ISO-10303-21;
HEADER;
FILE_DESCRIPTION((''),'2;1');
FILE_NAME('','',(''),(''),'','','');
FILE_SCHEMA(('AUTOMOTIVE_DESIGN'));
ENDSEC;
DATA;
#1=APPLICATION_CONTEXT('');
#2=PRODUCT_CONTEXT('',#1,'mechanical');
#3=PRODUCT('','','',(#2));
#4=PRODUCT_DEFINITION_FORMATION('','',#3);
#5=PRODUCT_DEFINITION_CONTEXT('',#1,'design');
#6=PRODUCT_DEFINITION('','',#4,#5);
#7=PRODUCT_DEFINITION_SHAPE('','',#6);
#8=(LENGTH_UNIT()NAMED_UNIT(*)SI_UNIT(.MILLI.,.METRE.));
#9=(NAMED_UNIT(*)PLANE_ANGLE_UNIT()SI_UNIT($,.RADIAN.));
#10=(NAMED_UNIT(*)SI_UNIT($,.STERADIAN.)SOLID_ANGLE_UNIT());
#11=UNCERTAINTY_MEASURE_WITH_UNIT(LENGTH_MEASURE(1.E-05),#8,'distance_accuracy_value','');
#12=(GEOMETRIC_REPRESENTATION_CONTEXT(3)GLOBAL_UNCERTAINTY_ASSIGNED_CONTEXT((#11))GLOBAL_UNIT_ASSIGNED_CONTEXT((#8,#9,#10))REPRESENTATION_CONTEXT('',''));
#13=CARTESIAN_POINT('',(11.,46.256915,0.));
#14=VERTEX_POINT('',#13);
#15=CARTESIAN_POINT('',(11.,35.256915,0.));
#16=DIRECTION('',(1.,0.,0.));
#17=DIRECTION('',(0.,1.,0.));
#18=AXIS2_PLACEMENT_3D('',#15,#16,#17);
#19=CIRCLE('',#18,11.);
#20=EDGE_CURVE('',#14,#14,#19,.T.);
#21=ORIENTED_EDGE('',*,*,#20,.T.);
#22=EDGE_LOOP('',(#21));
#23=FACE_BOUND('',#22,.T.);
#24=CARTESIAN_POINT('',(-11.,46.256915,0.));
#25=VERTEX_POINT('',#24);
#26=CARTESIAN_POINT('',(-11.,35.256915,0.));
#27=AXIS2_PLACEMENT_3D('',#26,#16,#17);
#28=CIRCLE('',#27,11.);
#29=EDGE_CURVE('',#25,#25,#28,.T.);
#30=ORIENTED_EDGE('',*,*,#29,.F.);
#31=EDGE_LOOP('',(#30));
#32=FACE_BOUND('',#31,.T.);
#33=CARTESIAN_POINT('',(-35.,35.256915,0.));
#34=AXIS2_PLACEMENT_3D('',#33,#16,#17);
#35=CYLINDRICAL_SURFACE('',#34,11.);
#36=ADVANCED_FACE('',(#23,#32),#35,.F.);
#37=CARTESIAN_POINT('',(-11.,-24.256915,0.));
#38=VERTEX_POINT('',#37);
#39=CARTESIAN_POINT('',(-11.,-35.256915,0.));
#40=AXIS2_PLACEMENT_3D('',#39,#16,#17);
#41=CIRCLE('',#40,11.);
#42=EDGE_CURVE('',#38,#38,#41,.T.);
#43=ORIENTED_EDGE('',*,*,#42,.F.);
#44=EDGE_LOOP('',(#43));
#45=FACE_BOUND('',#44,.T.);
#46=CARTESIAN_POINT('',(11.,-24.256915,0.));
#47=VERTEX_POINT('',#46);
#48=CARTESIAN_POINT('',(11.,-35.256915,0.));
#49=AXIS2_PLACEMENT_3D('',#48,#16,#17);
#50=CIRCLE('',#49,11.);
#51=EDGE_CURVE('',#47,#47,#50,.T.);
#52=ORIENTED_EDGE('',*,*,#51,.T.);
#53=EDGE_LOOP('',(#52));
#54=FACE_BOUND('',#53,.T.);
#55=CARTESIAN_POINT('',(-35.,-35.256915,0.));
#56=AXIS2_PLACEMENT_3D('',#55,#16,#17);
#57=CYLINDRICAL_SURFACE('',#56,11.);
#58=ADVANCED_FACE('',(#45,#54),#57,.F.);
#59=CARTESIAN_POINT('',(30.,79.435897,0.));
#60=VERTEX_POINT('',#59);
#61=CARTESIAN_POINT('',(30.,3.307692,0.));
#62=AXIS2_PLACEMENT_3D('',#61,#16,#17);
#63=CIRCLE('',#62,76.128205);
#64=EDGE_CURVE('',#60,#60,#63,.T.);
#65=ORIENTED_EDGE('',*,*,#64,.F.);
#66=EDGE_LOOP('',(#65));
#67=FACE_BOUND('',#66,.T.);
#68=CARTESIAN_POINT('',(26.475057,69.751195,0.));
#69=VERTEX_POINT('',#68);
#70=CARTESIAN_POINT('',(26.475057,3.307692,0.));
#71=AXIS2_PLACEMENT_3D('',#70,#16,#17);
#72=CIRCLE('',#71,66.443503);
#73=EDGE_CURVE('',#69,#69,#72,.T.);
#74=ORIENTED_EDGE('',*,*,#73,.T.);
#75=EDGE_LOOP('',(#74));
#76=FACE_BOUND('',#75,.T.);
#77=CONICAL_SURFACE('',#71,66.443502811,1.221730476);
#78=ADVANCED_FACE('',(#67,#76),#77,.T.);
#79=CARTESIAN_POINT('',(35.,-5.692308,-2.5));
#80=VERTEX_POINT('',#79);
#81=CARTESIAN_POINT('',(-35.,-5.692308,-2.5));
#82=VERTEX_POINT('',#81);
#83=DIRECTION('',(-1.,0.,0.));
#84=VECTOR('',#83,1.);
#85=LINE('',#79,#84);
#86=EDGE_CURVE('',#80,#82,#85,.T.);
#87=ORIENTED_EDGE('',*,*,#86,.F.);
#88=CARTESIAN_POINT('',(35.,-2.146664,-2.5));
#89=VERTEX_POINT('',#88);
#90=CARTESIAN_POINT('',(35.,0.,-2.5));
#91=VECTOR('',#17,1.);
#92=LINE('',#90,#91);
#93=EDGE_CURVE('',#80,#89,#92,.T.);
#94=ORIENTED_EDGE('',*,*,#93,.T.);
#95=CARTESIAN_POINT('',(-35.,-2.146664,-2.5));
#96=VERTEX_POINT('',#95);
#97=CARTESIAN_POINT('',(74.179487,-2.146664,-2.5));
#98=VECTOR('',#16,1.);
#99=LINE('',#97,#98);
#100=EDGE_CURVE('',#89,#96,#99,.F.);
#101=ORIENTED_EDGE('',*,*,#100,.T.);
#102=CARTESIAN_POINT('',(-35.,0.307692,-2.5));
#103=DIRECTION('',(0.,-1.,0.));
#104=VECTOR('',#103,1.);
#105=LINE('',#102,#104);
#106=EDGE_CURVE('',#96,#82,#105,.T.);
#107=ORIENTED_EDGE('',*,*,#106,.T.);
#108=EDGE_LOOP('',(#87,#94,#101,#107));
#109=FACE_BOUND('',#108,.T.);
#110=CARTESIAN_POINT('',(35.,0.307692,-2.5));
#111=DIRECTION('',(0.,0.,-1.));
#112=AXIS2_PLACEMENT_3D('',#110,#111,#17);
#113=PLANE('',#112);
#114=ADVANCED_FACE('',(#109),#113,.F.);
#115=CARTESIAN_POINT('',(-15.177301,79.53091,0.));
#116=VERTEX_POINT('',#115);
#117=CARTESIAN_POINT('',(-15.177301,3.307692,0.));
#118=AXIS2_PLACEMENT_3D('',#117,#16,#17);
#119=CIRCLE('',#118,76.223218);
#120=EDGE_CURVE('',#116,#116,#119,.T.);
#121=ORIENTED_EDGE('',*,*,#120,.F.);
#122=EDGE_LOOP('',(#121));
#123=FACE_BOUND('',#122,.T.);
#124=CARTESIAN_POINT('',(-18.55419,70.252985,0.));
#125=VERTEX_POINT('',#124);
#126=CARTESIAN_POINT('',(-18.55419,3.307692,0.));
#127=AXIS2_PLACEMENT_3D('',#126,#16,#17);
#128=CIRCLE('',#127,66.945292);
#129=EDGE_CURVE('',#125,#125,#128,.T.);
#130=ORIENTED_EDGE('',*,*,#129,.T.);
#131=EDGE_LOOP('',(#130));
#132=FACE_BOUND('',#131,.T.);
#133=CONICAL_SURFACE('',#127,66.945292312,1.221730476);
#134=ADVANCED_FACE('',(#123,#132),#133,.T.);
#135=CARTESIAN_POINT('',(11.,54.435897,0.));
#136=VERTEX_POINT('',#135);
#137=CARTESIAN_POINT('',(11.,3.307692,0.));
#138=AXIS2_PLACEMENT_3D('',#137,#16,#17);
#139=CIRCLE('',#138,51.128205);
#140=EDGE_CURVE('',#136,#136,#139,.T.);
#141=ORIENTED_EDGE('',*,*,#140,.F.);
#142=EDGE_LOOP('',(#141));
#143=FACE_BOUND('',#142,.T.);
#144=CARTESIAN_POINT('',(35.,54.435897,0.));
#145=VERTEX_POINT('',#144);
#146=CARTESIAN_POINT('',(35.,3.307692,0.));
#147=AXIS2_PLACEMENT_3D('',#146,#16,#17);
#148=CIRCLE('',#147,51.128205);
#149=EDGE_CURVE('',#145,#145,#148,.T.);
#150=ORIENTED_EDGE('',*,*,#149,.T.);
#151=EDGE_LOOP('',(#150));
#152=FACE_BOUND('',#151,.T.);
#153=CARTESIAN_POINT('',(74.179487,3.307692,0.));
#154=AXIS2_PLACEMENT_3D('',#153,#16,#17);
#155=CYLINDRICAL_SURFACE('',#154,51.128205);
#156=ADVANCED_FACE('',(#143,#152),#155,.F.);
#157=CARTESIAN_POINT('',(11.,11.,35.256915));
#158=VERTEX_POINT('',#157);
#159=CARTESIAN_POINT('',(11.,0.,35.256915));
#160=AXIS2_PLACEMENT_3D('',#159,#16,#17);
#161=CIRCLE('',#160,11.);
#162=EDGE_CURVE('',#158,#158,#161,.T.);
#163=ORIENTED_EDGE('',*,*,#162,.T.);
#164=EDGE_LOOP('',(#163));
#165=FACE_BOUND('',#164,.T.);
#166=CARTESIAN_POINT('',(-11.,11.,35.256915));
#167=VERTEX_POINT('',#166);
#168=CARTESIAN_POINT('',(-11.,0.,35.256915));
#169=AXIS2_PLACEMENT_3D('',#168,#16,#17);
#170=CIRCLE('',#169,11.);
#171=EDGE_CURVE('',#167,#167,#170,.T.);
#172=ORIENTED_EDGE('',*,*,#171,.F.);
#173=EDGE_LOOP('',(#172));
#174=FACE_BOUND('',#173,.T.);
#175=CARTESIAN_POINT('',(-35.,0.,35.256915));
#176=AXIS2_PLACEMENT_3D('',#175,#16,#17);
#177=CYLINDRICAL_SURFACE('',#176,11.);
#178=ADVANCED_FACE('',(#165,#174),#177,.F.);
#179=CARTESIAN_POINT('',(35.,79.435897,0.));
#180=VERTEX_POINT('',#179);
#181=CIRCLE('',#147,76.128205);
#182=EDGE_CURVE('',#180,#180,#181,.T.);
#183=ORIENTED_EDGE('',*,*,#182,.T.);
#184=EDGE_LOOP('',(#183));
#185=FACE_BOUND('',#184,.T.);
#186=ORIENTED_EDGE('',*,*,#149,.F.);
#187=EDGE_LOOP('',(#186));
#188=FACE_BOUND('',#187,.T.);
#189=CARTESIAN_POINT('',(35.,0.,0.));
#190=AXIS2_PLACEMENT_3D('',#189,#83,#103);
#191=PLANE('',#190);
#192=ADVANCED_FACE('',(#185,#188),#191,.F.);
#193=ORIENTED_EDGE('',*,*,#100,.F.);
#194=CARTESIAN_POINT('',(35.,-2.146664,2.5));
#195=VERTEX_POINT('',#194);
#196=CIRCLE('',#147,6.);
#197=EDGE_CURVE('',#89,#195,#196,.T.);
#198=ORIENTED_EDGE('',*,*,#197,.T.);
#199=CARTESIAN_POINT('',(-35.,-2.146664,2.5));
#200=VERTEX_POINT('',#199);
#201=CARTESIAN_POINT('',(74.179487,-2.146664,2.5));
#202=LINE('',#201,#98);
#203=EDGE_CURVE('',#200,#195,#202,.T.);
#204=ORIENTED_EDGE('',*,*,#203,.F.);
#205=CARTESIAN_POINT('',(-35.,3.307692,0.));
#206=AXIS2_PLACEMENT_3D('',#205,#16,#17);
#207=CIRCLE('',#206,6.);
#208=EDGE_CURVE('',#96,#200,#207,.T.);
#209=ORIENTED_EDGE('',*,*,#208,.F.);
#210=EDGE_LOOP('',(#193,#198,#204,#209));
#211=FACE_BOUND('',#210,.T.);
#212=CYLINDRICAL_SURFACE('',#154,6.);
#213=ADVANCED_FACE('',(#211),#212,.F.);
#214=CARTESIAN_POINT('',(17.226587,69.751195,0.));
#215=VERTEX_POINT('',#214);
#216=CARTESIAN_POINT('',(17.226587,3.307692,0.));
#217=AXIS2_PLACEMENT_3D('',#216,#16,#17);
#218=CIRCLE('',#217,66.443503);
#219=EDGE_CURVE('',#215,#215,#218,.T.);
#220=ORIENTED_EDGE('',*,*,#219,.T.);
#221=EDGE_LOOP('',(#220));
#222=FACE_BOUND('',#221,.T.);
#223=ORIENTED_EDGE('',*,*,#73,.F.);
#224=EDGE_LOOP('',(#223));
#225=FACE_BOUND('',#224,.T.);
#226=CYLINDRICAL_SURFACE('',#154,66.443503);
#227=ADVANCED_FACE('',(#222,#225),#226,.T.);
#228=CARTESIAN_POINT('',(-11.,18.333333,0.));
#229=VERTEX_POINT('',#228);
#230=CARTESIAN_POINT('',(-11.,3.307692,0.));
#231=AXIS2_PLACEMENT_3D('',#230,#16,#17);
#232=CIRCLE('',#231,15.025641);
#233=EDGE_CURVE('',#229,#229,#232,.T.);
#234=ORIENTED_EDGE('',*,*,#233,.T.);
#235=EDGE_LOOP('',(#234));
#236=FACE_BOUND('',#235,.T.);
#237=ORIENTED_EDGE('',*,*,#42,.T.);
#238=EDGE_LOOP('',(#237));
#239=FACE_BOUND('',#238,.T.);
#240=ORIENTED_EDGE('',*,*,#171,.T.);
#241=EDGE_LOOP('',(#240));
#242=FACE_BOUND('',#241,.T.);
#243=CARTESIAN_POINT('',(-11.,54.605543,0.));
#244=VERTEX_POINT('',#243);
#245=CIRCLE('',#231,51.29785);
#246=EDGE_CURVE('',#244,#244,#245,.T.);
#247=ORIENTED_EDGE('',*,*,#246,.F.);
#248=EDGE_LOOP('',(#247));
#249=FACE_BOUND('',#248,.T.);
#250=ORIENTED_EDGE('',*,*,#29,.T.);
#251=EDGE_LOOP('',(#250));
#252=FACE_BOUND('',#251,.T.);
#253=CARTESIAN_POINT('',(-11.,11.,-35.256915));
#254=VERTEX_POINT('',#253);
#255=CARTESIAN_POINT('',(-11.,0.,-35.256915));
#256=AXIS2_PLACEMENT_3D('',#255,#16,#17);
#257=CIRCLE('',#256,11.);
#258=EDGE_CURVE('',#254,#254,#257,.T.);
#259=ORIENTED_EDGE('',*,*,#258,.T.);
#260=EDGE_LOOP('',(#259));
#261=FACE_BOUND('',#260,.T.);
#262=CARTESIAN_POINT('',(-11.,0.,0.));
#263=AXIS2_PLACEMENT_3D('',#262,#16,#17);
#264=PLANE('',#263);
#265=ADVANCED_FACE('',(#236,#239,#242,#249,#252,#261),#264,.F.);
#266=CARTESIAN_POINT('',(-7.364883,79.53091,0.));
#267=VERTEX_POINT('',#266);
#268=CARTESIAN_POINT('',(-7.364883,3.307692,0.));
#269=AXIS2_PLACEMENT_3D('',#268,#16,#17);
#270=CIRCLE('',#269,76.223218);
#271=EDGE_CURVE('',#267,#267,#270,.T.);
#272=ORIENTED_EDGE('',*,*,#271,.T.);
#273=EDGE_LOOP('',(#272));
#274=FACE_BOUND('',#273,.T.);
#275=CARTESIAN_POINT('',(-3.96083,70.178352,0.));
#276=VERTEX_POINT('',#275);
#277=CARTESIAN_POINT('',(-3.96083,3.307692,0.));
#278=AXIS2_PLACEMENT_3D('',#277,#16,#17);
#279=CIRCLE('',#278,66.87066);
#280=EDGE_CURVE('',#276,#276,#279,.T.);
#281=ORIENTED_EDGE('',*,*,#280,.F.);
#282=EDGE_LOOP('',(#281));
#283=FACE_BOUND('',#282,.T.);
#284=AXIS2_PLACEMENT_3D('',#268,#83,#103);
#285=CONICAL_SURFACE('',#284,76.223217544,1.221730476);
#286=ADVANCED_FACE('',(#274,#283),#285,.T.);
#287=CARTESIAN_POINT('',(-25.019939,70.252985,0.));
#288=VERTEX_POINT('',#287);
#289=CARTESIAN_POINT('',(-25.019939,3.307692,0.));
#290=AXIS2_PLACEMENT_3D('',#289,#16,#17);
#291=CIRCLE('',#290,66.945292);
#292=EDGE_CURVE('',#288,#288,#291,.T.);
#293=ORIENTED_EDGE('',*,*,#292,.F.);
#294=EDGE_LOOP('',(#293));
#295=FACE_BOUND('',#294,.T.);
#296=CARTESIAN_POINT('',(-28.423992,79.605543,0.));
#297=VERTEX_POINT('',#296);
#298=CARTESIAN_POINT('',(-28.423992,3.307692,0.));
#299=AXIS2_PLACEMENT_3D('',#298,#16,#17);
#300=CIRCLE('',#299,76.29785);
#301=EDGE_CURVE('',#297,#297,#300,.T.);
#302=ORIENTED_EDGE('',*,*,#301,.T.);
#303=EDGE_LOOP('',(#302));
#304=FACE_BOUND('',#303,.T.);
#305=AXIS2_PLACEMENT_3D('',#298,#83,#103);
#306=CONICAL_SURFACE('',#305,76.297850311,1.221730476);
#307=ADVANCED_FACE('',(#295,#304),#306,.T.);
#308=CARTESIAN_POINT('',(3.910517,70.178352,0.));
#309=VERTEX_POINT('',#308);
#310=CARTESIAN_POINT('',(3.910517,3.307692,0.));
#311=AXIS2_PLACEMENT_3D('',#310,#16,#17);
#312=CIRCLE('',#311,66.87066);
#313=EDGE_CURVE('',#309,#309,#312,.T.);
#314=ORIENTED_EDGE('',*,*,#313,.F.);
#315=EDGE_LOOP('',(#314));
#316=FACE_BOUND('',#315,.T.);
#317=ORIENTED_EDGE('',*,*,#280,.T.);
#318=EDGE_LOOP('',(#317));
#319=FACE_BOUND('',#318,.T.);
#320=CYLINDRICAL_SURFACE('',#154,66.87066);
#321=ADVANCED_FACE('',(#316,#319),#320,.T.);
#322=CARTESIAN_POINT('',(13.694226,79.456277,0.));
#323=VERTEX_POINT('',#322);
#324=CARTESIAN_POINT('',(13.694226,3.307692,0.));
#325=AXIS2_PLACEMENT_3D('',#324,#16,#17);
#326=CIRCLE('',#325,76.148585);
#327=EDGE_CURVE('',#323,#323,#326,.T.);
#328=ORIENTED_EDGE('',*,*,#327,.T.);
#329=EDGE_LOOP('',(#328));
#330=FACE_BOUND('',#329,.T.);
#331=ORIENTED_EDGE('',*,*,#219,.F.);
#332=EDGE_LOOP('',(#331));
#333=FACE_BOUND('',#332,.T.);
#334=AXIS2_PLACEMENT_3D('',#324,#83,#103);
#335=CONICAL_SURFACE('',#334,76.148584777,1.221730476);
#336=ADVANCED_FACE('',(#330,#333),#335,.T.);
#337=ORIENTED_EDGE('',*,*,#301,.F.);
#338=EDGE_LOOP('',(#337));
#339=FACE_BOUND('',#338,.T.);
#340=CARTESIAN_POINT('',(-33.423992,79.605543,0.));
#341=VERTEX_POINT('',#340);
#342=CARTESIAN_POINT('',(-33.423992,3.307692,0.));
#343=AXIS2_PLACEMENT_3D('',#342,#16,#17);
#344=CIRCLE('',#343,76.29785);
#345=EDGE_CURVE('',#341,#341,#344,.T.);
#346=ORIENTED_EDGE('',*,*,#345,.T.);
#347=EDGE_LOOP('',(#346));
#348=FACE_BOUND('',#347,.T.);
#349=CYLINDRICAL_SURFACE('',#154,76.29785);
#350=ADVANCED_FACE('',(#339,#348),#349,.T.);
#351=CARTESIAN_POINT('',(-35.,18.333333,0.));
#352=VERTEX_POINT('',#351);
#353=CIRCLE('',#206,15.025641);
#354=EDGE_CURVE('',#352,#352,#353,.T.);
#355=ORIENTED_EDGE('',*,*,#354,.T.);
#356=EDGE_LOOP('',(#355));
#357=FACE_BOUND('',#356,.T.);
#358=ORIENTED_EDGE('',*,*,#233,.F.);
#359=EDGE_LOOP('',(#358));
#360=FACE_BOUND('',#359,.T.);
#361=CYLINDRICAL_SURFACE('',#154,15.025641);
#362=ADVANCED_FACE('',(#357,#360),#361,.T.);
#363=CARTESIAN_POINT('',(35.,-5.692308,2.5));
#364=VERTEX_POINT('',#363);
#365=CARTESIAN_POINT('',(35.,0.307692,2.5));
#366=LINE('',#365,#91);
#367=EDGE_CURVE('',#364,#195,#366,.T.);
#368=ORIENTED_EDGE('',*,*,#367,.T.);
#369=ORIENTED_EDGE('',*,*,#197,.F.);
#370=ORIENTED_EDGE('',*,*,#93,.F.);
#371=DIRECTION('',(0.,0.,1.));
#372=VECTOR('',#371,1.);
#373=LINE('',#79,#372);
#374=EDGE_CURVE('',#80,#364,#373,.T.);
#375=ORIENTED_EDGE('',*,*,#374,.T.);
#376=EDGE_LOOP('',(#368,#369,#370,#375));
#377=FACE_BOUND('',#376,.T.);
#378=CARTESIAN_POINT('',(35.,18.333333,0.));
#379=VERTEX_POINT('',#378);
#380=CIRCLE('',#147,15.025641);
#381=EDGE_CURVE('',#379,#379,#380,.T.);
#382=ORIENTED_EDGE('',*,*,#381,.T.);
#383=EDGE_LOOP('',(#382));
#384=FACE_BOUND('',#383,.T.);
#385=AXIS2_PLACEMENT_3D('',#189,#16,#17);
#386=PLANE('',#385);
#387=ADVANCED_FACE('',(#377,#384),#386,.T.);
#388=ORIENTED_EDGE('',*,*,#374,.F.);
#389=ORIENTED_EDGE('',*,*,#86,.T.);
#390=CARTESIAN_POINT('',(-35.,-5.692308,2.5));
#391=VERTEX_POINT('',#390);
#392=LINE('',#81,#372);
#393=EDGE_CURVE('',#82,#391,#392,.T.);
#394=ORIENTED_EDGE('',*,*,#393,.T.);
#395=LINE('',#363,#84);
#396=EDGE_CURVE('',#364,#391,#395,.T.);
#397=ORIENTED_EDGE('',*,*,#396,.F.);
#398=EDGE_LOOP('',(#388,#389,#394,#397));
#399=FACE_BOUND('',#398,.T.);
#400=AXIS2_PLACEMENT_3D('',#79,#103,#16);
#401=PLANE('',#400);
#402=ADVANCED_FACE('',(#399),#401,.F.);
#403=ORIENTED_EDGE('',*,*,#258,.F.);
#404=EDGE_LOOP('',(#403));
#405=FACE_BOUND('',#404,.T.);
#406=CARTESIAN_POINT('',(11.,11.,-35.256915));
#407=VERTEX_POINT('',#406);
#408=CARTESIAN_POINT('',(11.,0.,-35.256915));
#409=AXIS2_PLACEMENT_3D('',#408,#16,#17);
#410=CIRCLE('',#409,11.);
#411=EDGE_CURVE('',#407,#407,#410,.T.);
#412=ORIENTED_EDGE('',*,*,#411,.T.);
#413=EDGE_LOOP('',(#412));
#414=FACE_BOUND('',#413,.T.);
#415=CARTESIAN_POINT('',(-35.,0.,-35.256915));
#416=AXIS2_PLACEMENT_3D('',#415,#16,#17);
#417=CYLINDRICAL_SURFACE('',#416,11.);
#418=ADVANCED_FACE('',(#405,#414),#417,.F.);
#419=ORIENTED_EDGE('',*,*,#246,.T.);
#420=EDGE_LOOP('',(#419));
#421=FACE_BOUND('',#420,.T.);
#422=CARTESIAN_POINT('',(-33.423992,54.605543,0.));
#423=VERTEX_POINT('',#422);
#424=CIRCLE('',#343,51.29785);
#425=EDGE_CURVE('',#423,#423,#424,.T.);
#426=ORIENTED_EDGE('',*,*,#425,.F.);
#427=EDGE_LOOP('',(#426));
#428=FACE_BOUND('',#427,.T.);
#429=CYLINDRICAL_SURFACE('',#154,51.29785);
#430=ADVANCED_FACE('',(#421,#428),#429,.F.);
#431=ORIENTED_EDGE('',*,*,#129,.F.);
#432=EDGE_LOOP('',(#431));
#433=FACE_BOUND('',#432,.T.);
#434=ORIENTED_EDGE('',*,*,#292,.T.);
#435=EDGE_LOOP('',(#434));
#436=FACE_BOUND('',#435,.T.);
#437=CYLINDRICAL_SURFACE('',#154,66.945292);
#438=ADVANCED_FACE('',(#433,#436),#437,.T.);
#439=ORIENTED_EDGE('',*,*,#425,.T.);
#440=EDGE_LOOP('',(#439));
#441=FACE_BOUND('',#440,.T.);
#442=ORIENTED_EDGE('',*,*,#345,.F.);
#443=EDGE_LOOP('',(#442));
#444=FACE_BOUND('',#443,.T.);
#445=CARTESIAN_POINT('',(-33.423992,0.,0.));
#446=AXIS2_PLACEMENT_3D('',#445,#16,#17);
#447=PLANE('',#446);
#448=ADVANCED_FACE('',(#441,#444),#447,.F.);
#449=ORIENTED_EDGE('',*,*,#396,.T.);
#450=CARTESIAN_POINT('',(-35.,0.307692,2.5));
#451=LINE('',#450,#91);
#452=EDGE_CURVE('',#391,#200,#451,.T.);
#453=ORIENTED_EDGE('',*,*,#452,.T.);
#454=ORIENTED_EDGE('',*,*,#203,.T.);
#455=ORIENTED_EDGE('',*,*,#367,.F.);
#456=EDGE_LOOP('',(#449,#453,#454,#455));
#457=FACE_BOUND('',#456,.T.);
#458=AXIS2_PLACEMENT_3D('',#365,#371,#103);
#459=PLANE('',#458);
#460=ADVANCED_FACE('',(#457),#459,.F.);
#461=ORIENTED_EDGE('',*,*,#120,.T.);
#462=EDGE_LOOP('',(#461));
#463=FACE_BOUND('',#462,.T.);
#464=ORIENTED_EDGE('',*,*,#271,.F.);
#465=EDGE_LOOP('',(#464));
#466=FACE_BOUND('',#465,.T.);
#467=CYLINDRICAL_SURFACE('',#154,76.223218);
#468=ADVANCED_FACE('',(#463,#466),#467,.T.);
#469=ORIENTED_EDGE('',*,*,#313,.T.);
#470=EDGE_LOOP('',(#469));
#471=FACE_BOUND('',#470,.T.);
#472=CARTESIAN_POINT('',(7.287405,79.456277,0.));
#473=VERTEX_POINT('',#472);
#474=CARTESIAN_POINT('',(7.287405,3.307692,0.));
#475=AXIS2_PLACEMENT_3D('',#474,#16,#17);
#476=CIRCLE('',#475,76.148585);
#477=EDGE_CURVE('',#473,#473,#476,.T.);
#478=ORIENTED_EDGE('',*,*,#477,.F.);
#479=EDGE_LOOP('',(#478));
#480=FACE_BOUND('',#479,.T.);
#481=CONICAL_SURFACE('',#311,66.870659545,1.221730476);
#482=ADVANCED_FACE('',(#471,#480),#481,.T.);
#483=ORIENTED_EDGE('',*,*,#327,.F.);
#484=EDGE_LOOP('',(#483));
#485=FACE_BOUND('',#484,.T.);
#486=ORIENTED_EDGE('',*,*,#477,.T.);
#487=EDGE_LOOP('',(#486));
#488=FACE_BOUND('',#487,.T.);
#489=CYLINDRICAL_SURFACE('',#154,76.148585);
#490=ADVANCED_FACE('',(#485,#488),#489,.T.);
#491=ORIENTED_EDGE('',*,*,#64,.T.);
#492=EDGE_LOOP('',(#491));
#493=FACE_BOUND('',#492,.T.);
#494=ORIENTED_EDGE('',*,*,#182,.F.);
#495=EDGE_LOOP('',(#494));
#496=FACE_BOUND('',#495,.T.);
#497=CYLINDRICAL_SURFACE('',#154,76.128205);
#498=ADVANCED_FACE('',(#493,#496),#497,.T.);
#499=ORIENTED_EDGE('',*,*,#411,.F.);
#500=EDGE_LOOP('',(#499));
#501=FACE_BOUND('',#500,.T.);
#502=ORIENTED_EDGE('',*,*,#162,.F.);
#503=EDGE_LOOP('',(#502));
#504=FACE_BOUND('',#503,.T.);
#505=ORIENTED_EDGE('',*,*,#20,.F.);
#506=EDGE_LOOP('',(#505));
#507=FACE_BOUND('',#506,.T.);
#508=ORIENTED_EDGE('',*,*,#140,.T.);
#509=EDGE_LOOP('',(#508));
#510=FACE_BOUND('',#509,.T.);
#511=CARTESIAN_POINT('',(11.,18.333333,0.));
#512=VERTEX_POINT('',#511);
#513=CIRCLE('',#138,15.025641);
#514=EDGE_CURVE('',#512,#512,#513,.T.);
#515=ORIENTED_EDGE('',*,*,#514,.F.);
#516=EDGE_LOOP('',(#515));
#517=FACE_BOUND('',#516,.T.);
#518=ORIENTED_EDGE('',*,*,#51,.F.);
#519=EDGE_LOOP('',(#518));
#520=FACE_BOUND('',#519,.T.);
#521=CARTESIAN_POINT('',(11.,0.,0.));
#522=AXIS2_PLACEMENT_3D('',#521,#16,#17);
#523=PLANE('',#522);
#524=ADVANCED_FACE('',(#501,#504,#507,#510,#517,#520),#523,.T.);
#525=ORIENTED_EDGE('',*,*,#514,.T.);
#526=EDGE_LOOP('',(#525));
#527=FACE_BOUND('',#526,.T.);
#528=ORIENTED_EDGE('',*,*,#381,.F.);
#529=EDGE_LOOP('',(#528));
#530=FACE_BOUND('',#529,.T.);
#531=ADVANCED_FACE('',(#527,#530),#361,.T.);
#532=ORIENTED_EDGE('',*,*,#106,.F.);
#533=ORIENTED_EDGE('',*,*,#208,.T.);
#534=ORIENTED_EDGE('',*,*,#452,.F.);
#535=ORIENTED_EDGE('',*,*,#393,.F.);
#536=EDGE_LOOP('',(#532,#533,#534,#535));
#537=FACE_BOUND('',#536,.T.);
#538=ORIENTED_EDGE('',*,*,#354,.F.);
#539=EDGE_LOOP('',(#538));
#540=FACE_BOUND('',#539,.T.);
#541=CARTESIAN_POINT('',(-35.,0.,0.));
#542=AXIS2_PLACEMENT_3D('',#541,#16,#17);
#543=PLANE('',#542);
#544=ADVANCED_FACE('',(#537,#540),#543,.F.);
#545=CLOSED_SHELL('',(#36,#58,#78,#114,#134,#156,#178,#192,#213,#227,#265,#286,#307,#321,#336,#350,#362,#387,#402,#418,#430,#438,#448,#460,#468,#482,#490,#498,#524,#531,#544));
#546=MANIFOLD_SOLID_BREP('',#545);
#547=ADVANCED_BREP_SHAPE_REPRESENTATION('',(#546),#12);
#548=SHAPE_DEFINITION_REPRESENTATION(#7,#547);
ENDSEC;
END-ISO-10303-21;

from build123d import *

# Parameters (mm, degrees)
SKETCH2_R          = 11
CUT_EXTRUDE1_DEPTH = 120.475538825
SKETCH3_W          = 5
SKETCH3_H          = 6
CUT_EXTRUDE2_DEPTH = 131.607826632


with BuildPart() as part:
    # Sketch1 → Revolve3 (revolve)
    with BuildSketch(Plane.XY):
        Polygon((35, 79.435897436), (35, 54.435897436), (11, 54.435897436), (11, 18.333333333), (35, 18.333333333), (35, 9.307692308), (-35, 9.307692308), (-35, 18.333333333), (-11, 18.333333333), (-11, 54.605542618), (-33.423992019, 54.605542618), (-33.423992019, 79.605542618), (-28.423992019, 79.605542618), (-25.019939293, 70.252984619), (-18.554189686, 70.252984619), (-15.177301066, 79.530909851), (-7.364883216, 79.530909851), (-3.96083049, 70.178351852), (3.910516857, 70.178351852), (7.287405478, 79.456277085), (13.694225587, 79.456277085), (17.226586544, 69.751195119), (26.475056629, 69.751195119), (30, 79.435897436), align=None)
    revolve(axis=Axis((74.179487179, 3.307692308, 0), (-1, 0, 0)))

    # Sketch2 → Cut-Extrude1 (cut, through all)
    with BuildSketch(Plane(origin=(11, 0, 0), x_dir=(0, 0, -1), z_dir=(1, 0, 0))):
        with Locations(Location((0, 35.256915145, 0), (0, 0, 90))):
            Circle(SKETCH2_R)
        with Locations(Location((35.256915145, 0, 0), (0, 0, 90))):
            Circle(SKETCH2_R)
        with Locations(Location((0, -35.256915145, 0), (0, 0, 90))):
            Circle(SKETCH2_R)
        with Locations(Location((-35.256915145, 0, 0), (0, 0, 90))):
            Circle(SKETCH2_R)
    extrude(amount=-CUT_EXTRUDE1_DEPTH, mode=Mode.SUBTRACT)

    # Sketch3 → Cut-Extrude2 (cut, through all)
    with BuildSketch(Plane.ZY.offset(35)):
        with Locations((0, -2.692307692)):
            Rectangle(SKETCH3_W, SKETCH3_H)
    extrude(amount=-CUT_EXTRUDE2_DEPTH, mode=Mode.SUBTRACT)


solid = part.part
